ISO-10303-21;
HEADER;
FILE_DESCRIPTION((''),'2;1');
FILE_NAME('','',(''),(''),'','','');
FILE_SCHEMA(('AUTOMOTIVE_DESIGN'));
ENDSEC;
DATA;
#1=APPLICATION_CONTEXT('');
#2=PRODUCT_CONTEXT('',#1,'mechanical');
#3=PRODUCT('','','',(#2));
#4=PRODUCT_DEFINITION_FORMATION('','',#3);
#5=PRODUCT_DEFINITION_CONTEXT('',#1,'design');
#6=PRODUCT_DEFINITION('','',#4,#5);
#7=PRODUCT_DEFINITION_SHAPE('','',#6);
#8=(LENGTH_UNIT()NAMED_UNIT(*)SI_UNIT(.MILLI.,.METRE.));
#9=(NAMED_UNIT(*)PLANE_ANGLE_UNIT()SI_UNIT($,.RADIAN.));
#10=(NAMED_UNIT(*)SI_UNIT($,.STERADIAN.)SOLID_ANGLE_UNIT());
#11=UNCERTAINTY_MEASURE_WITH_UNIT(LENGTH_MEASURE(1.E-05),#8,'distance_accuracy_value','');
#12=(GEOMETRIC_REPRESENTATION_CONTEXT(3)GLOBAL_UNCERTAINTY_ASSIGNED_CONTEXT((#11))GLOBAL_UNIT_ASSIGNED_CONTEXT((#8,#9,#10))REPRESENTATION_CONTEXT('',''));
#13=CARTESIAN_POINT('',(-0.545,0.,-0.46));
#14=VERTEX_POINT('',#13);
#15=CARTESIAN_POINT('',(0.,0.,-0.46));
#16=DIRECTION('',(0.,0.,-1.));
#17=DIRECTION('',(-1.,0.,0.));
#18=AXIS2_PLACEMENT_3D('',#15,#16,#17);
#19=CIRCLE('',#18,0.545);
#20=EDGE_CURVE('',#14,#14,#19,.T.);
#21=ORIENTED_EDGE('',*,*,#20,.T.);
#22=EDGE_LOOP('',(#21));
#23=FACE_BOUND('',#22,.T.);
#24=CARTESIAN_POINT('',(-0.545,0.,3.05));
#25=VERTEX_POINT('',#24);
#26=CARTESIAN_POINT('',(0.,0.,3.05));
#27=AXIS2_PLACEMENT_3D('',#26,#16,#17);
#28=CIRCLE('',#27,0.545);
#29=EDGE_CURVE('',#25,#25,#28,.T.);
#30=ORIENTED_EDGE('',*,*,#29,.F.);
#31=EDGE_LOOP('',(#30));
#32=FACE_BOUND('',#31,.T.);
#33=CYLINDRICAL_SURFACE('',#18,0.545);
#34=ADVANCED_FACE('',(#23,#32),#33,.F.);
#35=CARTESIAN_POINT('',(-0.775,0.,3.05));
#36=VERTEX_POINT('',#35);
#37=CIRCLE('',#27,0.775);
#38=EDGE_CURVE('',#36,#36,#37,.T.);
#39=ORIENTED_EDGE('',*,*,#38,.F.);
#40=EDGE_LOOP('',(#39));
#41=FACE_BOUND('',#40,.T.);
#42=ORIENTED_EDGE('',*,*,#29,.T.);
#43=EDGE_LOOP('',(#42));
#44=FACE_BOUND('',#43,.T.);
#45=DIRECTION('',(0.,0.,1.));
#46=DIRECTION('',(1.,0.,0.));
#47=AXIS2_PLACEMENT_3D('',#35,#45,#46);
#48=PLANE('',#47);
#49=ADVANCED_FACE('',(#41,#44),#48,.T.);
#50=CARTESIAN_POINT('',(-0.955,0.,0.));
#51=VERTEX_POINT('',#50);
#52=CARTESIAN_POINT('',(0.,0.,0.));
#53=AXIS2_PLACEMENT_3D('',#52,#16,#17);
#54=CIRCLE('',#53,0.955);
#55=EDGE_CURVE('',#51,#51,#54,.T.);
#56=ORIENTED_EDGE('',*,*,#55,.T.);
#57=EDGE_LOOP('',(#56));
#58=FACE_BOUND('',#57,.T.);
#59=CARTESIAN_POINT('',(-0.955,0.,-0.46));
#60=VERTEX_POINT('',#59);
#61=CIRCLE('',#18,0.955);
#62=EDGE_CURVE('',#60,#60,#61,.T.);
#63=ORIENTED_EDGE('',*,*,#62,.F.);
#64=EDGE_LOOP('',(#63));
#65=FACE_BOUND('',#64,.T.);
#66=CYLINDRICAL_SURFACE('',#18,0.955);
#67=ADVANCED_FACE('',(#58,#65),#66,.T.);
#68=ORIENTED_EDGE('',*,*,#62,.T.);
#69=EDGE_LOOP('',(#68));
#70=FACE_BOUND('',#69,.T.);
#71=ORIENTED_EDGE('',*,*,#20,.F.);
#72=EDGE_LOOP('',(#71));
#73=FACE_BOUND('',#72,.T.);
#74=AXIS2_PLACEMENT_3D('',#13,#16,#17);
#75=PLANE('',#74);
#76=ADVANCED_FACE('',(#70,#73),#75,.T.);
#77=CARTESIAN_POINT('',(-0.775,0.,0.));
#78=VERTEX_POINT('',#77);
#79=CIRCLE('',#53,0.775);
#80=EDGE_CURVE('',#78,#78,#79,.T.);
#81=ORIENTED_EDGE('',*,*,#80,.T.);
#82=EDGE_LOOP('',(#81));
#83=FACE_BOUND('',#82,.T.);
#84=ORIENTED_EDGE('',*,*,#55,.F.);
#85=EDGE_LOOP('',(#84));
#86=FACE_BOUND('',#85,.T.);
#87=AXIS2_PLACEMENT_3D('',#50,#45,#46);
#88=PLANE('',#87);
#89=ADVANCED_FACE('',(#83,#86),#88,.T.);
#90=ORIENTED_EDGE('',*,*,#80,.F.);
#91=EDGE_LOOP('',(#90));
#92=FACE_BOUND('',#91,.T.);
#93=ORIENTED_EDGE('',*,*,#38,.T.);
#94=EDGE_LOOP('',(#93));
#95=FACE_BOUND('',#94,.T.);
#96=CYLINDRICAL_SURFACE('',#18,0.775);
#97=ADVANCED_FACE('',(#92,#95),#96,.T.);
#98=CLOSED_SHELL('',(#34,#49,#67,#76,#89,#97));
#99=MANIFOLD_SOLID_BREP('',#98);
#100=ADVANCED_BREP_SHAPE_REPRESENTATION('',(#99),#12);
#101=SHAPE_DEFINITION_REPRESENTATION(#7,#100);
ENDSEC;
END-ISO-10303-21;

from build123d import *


with BuildPart() as part:
    # Sketch1 → Revolve1 (revolve)
    with BuildSketch(Plane(origin=(0, 0, 0), x_dir=(1, 0, 0), z_dir=(0, 1, 0))):
        Polygon((-0.545, 0.46), (-0.955, 0.46), (-0.955, 0), (-0.775, 0), (-0.775, -3.05), (-0.545, -3.05), align=None)
    revolve(axis=Axis((0, 0, -0.46), (0, 0, 1)))


solid = part.part
